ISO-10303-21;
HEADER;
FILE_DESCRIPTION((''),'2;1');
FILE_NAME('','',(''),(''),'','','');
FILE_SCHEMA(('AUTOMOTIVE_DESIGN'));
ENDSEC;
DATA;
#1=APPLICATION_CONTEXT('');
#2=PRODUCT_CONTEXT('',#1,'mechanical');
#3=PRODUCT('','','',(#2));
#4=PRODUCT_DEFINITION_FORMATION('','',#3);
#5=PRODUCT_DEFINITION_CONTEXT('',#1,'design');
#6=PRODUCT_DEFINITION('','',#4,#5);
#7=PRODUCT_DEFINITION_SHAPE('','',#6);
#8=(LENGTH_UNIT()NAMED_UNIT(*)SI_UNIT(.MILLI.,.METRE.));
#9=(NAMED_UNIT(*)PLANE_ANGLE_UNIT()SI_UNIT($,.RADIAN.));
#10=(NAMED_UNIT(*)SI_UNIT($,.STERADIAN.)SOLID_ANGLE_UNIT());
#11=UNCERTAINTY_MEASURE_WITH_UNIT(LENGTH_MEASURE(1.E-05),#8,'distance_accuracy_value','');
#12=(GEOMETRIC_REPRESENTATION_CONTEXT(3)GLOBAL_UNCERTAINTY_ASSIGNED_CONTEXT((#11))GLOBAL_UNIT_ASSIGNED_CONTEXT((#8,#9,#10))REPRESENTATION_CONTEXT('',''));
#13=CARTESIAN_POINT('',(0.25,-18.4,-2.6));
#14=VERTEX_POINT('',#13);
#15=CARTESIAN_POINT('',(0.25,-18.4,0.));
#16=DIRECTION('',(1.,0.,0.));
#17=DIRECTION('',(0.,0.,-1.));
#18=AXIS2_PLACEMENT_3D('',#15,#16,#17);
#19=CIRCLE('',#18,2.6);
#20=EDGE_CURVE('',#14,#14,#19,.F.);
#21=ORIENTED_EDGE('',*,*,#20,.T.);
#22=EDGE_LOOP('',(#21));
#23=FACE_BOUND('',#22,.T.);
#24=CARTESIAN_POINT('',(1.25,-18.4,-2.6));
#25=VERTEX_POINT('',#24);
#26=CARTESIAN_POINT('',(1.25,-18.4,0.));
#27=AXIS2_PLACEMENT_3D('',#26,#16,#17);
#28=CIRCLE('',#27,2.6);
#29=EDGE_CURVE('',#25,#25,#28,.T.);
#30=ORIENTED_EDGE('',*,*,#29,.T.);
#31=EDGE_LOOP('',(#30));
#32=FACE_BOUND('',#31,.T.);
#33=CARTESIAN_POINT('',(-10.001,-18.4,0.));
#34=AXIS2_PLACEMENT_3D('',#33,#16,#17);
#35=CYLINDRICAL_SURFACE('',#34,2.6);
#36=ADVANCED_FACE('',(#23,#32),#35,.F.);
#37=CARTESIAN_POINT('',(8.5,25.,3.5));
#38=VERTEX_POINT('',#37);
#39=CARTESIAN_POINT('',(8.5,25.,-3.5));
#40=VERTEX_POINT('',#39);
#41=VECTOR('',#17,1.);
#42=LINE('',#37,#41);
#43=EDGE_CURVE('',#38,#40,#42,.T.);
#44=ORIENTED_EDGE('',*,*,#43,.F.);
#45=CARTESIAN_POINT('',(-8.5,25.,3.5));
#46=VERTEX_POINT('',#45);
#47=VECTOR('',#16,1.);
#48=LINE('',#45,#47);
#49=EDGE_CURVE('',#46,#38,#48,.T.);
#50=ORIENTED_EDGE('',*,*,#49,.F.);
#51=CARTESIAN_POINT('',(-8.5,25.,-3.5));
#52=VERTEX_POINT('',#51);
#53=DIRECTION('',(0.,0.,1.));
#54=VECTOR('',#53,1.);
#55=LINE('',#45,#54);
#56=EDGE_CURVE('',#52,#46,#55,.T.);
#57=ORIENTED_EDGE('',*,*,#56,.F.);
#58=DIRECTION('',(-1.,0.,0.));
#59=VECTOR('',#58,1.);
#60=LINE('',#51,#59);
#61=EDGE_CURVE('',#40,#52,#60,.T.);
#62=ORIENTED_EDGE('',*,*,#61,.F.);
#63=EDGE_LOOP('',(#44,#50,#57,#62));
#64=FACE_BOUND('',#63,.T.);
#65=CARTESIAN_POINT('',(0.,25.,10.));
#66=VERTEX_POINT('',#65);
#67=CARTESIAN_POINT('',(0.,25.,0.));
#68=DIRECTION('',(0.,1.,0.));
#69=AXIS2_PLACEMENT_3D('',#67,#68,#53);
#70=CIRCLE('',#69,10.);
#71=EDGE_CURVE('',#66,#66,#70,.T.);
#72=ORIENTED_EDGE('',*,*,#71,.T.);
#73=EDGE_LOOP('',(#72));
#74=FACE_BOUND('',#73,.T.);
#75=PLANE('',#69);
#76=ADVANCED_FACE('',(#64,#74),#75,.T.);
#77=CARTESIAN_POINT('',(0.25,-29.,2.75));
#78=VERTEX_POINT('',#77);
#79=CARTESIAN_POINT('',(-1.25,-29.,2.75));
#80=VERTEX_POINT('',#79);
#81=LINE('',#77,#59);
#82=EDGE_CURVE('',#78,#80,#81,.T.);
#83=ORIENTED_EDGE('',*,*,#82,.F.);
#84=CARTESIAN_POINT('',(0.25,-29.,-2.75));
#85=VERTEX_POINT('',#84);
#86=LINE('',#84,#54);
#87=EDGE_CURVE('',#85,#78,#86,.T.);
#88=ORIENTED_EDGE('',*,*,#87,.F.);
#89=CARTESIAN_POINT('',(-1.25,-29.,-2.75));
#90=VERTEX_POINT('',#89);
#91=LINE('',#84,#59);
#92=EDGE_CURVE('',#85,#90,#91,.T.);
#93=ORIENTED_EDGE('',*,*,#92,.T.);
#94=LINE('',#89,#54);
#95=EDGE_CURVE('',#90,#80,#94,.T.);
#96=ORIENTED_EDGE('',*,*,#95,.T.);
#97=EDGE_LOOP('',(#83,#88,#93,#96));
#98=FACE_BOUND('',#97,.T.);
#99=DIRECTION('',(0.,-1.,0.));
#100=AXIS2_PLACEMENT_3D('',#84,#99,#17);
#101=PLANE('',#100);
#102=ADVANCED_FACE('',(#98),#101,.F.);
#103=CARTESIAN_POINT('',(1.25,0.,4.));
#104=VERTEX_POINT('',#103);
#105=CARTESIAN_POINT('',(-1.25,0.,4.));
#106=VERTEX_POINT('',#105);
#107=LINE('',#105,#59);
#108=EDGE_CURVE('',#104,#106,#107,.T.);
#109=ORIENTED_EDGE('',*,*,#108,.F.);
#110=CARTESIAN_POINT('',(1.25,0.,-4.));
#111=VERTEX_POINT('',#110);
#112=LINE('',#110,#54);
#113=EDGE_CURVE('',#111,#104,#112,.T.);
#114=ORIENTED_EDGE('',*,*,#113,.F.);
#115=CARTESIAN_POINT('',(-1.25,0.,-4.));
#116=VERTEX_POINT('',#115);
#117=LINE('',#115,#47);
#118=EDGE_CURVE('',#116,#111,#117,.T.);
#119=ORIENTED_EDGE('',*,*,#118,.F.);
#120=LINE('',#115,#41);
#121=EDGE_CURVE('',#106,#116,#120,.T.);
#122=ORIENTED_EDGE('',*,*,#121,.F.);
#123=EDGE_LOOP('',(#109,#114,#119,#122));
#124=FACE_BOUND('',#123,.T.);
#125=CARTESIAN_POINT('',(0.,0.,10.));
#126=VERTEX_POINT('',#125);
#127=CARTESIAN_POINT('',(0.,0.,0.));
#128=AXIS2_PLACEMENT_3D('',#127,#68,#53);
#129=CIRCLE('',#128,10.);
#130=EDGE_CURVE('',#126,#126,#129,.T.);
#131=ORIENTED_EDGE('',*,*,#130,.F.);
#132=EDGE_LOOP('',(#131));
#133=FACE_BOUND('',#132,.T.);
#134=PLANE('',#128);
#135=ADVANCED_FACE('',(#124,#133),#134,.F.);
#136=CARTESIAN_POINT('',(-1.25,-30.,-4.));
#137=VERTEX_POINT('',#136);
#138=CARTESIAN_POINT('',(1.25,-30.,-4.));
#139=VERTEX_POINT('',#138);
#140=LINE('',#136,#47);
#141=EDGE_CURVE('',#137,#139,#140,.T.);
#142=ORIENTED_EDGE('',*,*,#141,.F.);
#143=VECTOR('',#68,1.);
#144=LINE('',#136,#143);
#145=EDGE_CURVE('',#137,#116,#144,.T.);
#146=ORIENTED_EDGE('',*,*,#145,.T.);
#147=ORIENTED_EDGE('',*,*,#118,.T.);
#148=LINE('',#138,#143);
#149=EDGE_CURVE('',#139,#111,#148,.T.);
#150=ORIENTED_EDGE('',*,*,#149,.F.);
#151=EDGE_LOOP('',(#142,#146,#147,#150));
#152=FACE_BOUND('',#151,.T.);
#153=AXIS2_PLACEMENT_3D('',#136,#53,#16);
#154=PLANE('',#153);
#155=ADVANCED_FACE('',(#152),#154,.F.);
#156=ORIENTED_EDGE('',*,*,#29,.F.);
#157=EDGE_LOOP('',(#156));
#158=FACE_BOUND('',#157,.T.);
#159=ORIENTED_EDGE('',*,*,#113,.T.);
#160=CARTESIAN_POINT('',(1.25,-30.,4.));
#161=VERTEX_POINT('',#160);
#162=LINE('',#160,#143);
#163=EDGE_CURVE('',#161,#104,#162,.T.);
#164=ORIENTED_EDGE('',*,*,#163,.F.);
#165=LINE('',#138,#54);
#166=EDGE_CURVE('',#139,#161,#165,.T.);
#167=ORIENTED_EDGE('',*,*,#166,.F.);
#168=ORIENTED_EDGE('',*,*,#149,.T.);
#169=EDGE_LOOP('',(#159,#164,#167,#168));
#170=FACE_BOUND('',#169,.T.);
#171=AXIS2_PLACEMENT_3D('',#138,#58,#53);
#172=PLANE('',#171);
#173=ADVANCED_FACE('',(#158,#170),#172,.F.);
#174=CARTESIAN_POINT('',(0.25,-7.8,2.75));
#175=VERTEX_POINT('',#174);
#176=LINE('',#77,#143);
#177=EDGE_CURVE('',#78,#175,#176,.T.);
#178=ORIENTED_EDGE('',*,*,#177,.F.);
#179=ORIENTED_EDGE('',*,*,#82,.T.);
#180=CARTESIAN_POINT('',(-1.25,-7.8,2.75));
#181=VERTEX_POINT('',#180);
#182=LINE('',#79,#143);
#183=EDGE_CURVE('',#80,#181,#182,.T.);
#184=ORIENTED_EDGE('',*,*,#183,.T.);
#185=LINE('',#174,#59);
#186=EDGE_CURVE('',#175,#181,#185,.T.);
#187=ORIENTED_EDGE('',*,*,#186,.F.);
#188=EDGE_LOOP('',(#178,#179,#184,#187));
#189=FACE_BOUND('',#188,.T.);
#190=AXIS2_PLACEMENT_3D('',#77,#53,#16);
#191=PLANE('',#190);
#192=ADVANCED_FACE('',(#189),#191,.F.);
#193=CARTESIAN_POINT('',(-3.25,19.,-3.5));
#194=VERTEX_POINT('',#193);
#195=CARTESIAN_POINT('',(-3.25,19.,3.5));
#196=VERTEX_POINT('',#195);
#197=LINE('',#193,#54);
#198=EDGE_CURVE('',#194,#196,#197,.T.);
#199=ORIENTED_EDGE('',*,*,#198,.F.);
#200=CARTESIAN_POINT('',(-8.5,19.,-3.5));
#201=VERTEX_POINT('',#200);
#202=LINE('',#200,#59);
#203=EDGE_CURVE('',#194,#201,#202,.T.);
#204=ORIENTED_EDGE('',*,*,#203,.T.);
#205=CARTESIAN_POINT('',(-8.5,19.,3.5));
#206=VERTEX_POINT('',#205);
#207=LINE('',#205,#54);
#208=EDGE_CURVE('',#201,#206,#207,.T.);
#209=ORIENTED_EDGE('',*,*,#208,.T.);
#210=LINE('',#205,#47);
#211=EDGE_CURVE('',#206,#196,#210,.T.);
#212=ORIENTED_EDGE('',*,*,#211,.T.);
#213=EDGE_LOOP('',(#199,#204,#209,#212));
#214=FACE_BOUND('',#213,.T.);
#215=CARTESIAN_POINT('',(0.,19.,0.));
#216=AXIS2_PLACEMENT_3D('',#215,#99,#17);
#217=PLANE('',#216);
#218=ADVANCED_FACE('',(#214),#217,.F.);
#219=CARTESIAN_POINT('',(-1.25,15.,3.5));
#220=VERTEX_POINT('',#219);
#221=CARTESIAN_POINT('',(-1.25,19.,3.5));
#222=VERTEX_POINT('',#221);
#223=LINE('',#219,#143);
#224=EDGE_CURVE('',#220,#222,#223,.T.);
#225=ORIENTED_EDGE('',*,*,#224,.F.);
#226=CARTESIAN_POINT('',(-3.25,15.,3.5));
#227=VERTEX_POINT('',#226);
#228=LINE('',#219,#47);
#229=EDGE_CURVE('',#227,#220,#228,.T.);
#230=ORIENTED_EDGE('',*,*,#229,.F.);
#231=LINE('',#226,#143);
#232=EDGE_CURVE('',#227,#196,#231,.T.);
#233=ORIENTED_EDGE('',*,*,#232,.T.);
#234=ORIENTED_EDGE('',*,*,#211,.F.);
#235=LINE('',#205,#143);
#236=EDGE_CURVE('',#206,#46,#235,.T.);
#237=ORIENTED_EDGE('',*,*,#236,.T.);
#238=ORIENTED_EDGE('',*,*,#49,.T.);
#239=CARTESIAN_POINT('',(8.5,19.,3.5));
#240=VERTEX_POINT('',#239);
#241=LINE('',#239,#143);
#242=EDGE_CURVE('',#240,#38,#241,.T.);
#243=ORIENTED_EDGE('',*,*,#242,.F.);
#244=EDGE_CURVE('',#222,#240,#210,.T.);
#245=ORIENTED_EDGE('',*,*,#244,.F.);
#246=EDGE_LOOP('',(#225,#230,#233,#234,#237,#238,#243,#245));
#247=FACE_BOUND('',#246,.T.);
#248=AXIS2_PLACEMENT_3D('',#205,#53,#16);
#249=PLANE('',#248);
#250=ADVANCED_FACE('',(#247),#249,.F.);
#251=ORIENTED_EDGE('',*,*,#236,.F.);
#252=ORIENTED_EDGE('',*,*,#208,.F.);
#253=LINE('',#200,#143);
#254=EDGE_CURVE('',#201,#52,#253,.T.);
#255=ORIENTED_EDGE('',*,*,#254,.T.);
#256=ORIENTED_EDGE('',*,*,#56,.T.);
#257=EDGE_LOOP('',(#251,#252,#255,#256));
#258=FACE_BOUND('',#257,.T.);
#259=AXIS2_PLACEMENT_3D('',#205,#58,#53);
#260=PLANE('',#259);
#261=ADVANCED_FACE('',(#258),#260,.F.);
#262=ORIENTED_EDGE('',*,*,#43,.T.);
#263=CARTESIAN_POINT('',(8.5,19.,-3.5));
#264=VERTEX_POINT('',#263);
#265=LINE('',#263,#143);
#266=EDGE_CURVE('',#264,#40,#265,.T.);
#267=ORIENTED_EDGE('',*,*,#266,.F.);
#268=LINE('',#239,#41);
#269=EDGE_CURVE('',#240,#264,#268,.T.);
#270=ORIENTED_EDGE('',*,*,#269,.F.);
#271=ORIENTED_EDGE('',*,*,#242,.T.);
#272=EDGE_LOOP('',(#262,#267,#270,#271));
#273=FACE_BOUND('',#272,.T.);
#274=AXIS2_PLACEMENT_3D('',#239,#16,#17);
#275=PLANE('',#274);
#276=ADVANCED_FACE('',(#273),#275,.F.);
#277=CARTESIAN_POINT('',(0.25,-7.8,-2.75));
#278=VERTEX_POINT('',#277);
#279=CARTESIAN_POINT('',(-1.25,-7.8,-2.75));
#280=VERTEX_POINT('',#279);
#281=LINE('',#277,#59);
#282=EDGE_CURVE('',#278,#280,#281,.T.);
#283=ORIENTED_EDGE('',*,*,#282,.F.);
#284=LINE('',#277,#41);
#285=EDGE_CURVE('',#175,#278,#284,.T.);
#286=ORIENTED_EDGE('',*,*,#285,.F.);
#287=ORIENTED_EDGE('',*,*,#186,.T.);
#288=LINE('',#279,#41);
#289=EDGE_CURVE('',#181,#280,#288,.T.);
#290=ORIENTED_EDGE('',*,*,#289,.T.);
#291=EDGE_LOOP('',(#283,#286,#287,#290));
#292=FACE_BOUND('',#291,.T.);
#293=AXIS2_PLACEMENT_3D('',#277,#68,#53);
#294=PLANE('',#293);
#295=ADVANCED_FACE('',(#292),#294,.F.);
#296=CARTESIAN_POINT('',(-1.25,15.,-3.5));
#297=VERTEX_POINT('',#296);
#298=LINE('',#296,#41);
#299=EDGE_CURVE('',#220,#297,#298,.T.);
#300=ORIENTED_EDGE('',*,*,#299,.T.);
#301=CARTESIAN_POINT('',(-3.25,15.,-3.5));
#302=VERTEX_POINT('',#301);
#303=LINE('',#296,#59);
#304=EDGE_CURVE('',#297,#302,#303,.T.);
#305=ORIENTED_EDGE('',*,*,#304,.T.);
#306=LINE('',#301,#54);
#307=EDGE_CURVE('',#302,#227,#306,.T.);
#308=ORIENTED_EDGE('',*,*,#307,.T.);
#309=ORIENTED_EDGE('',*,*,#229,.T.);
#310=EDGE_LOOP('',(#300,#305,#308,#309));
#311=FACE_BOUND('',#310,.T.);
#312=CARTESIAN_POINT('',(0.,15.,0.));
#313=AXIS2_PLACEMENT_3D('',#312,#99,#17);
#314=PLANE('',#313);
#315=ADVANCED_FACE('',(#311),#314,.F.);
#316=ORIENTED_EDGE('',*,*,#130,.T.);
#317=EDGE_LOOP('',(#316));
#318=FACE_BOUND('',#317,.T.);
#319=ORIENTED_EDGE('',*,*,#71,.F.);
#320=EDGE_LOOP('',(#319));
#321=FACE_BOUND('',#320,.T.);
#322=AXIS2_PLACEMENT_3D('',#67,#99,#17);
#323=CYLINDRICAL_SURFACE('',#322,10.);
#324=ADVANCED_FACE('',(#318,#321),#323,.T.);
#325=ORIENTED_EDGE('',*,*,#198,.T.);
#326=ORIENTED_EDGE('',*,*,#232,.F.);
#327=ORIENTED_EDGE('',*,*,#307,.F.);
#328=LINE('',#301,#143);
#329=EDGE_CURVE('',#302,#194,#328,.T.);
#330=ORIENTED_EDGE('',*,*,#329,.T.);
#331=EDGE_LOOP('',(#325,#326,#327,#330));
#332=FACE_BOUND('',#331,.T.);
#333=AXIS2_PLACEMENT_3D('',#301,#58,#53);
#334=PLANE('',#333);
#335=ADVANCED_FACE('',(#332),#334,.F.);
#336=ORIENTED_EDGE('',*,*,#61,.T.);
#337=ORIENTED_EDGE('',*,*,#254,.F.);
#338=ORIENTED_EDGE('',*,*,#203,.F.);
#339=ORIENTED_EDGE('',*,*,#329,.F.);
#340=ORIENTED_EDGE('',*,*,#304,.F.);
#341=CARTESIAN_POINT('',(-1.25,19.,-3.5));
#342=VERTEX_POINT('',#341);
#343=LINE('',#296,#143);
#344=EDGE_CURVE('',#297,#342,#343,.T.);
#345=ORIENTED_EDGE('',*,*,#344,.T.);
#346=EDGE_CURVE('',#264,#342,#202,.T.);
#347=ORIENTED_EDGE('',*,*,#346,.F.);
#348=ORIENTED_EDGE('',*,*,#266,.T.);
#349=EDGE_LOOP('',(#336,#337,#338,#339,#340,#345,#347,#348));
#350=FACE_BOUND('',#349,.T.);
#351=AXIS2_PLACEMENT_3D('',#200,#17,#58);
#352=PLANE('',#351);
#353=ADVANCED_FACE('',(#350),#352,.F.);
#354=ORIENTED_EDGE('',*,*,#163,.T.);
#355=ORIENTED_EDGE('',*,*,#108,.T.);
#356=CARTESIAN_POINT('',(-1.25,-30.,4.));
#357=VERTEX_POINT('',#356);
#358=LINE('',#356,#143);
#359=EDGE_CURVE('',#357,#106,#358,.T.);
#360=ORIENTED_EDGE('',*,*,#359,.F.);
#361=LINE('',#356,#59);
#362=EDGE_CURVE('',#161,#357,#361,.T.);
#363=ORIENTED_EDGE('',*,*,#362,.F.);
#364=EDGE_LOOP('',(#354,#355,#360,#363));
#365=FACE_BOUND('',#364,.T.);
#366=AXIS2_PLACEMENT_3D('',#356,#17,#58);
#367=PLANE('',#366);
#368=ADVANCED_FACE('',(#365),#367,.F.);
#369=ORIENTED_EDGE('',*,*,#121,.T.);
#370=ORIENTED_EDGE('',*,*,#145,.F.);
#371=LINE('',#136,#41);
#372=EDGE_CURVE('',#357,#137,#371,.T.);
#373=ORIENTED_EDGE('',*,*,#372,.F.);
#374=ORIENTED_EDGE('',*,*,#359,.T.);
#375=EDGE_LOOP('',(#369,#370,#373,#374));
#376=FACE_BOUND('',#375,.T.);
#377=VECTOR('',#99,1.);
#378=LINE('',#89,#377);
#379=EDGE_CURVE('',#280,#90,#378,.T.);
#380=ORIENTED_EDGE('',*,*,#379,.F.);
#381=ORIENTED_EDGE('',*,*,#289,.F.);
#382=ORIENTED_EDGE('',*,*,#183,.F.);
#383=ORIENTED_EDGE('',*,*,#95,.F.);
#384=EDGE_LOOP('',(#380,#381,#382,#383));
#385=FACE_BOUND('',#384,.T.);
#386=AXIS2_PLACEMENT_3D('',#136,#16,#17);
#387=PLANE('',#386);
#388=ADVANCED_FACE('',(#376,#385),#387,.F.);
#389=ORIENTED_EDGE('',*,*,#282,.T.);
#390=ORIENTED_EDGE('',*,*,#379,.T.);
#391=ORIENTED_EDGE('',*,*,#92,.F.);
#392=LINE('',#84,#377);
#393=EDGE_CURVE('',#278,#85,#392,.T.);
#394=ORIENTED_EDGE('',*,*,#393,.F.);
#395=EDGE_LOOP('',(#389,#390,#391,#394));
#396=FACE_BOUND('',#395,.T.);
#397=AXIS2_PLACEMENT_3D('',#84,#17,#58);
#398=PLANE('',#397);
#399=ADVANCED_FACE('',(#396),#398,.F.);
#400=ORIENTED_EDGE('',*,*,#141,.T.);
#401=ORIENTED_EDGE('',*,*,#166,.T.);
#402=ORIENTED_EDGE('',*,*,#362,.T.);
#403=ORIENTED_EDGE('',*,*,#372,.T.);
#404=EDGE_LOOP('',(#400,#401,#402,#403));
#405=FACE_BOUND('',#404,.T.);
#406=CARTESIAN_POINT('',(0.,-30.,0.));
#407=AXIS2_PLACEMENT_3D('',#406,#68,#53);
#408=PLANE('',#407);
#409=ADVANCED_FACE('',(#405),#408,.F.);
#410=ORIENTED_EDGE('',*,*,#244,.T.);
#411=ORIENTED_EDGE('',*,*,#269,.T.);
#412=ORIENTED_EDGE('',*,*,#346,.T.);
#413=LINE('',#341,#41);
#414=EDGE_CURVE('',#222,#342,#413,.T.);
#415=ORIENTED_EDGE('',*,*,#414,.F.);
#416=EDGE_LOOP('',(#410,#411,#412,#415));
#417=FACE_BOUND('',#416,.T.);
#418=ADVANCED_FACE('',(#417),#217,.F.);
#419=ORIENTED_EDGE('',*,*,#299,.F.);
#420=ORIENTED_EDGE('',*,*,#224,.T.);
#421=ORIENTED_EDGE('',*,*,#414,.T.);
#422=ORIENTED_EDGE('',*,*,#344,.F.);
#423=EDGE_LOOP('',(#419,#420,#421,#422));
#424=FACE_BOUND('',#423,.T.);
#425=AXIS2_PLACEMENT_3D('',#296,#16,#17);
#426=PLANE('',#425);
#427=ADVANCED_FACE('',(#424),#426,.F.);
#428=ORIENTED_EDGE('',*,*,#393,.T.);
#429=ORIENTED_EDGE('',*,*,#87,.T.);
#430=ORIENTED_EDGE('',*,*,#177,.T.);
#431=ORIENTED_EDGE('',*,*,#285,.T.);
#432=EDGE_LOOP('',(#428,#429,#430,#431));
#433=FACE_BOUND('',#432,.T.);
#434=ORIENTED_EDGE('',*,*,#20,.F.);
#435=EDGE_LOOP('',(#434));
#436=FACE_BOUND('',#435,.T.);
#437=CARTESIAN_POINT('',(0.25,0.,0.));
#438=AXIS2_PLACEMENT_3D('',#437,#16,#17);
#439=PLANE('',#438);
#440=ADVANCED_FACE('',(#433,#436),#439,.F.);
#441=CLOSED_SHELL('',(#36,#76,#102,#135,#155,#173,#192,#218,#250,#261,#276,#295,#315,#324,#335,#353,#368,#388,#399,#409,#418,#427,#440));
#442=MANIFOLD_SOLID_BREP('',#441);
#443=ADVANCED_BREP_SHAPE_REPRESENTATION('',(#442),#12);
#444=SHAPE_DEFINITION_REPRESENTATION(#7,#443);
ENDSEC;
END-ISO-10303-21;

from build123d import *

# Parameters (mm, degrees)
SKETCH3_R           = 10
BOSS_EXTRUDE1_DEPTH = 25
SKETCH4_W           = 2.5
SKETCH4_H           = 8
BOSS_EXTRUDE2_DEPTH = 30
CUT_EXTRUDE1_REACH  = 35.564
SKETCH5_R           = 2.6
SKETCH6_W           = 5.5
SKETCH6_H           = 21.2
CUT_EXTRUDE2_DEPTH  = 1.5
SKETCH7_W           = 17
SKETCH7_H           = 7
CUT_EXTRUDE3_DEPTH  = 6
SKETCH8_W           = 2
SKETCH8_H           = 7
CUT_EXTRUDE4_DEPTH  = 4


with BuildPart() as part:
    # Sketch3 → Boss-Extrude1 (new body)
    with BuildSketch(Plane(origin=(0, 0, 0), x_dir=(1, 0, 0), z_dir=(0, 1, 0))):
        with Locations(Location((0, 0, 0), (0, 0, 270))):
            Circle(SKETCH3_R)
    extrude(amount=BOSS_EXTRUDE1_DEPTH)

    # Sketch4 → Boss-Extrude2 (add)
    with BuildSketch(Plane(origin=(0, 0, 0), x_dir=(-1, 0, 0), z_dir=(0, -1, 0))):
        Rectangle(SKETCH4_W, SKETCH4_H)
    extrude(amount=BOSS_EXTRUDE2_DEPTH)

    # Sketch5 → Cut-Extrude1 (cut, up to next)
    with BuildSketch(Plane(origin=(1.25, 0, 0), x_dir=(0, 0, -1), z_dir=(1, 0, 0)), mode=Mode.PRIVATE) as cut_extrude1_sk1:
        with Locations((0, -18.4)):
            Circle(SKETCH5_R)
    cut_extrude1_tool1 = extrude(cut_extrude1_sk1.sketch, amount=-CUT_EXTRUDE1_REACH, mode=Mode.PRIVATE) & part.part
    add(cut_extrude1_tool1.solids().sort_by_distance((1.25, -18.4, 0))[0], mode=Mode.SUBTRACT)

    # Sketch6 → Cut-Extrude2 (cut)
    with BuildSketch(Plane.ZY.offset(1.25)):
        with Locations((0, -18.4)):
            Rectangle(SKETCH6_W, SKETCH6_H)
    extrude(amount=-CUT_EXTRUDE2_DEPTH, mode=Mode.SUBTRACT)

    # Sketch7 → Cut-Extrude3 (cut)
    with BuildSketch(Plane(origin=(0, 25, 0), x_dir=(1, 0, 0), z_dir=(0, 1, 0))):
        Rectangle(SKETCH7_W, SKETCH7_H)
    extrude(amount=-CUT_EXTRUDE3_DEPTH, mode=Mode.SUBTRACT)

    # Sketch8 → Cut-Extrude4 (cut)
    with BuildSketch(Plane(origin=(0, 19, 0), x_dir=(1, 0, 0), z_dir=(0, 1, 0))):
        with Locations((-2.25, 0)):
            Rectangle(SKETCH8_W, SKETCH8_H)
    extrude(amount=-CUT_EXTRUDE4_DEPTH, mode=Mode.SUBTRACT)


solid = part.part
